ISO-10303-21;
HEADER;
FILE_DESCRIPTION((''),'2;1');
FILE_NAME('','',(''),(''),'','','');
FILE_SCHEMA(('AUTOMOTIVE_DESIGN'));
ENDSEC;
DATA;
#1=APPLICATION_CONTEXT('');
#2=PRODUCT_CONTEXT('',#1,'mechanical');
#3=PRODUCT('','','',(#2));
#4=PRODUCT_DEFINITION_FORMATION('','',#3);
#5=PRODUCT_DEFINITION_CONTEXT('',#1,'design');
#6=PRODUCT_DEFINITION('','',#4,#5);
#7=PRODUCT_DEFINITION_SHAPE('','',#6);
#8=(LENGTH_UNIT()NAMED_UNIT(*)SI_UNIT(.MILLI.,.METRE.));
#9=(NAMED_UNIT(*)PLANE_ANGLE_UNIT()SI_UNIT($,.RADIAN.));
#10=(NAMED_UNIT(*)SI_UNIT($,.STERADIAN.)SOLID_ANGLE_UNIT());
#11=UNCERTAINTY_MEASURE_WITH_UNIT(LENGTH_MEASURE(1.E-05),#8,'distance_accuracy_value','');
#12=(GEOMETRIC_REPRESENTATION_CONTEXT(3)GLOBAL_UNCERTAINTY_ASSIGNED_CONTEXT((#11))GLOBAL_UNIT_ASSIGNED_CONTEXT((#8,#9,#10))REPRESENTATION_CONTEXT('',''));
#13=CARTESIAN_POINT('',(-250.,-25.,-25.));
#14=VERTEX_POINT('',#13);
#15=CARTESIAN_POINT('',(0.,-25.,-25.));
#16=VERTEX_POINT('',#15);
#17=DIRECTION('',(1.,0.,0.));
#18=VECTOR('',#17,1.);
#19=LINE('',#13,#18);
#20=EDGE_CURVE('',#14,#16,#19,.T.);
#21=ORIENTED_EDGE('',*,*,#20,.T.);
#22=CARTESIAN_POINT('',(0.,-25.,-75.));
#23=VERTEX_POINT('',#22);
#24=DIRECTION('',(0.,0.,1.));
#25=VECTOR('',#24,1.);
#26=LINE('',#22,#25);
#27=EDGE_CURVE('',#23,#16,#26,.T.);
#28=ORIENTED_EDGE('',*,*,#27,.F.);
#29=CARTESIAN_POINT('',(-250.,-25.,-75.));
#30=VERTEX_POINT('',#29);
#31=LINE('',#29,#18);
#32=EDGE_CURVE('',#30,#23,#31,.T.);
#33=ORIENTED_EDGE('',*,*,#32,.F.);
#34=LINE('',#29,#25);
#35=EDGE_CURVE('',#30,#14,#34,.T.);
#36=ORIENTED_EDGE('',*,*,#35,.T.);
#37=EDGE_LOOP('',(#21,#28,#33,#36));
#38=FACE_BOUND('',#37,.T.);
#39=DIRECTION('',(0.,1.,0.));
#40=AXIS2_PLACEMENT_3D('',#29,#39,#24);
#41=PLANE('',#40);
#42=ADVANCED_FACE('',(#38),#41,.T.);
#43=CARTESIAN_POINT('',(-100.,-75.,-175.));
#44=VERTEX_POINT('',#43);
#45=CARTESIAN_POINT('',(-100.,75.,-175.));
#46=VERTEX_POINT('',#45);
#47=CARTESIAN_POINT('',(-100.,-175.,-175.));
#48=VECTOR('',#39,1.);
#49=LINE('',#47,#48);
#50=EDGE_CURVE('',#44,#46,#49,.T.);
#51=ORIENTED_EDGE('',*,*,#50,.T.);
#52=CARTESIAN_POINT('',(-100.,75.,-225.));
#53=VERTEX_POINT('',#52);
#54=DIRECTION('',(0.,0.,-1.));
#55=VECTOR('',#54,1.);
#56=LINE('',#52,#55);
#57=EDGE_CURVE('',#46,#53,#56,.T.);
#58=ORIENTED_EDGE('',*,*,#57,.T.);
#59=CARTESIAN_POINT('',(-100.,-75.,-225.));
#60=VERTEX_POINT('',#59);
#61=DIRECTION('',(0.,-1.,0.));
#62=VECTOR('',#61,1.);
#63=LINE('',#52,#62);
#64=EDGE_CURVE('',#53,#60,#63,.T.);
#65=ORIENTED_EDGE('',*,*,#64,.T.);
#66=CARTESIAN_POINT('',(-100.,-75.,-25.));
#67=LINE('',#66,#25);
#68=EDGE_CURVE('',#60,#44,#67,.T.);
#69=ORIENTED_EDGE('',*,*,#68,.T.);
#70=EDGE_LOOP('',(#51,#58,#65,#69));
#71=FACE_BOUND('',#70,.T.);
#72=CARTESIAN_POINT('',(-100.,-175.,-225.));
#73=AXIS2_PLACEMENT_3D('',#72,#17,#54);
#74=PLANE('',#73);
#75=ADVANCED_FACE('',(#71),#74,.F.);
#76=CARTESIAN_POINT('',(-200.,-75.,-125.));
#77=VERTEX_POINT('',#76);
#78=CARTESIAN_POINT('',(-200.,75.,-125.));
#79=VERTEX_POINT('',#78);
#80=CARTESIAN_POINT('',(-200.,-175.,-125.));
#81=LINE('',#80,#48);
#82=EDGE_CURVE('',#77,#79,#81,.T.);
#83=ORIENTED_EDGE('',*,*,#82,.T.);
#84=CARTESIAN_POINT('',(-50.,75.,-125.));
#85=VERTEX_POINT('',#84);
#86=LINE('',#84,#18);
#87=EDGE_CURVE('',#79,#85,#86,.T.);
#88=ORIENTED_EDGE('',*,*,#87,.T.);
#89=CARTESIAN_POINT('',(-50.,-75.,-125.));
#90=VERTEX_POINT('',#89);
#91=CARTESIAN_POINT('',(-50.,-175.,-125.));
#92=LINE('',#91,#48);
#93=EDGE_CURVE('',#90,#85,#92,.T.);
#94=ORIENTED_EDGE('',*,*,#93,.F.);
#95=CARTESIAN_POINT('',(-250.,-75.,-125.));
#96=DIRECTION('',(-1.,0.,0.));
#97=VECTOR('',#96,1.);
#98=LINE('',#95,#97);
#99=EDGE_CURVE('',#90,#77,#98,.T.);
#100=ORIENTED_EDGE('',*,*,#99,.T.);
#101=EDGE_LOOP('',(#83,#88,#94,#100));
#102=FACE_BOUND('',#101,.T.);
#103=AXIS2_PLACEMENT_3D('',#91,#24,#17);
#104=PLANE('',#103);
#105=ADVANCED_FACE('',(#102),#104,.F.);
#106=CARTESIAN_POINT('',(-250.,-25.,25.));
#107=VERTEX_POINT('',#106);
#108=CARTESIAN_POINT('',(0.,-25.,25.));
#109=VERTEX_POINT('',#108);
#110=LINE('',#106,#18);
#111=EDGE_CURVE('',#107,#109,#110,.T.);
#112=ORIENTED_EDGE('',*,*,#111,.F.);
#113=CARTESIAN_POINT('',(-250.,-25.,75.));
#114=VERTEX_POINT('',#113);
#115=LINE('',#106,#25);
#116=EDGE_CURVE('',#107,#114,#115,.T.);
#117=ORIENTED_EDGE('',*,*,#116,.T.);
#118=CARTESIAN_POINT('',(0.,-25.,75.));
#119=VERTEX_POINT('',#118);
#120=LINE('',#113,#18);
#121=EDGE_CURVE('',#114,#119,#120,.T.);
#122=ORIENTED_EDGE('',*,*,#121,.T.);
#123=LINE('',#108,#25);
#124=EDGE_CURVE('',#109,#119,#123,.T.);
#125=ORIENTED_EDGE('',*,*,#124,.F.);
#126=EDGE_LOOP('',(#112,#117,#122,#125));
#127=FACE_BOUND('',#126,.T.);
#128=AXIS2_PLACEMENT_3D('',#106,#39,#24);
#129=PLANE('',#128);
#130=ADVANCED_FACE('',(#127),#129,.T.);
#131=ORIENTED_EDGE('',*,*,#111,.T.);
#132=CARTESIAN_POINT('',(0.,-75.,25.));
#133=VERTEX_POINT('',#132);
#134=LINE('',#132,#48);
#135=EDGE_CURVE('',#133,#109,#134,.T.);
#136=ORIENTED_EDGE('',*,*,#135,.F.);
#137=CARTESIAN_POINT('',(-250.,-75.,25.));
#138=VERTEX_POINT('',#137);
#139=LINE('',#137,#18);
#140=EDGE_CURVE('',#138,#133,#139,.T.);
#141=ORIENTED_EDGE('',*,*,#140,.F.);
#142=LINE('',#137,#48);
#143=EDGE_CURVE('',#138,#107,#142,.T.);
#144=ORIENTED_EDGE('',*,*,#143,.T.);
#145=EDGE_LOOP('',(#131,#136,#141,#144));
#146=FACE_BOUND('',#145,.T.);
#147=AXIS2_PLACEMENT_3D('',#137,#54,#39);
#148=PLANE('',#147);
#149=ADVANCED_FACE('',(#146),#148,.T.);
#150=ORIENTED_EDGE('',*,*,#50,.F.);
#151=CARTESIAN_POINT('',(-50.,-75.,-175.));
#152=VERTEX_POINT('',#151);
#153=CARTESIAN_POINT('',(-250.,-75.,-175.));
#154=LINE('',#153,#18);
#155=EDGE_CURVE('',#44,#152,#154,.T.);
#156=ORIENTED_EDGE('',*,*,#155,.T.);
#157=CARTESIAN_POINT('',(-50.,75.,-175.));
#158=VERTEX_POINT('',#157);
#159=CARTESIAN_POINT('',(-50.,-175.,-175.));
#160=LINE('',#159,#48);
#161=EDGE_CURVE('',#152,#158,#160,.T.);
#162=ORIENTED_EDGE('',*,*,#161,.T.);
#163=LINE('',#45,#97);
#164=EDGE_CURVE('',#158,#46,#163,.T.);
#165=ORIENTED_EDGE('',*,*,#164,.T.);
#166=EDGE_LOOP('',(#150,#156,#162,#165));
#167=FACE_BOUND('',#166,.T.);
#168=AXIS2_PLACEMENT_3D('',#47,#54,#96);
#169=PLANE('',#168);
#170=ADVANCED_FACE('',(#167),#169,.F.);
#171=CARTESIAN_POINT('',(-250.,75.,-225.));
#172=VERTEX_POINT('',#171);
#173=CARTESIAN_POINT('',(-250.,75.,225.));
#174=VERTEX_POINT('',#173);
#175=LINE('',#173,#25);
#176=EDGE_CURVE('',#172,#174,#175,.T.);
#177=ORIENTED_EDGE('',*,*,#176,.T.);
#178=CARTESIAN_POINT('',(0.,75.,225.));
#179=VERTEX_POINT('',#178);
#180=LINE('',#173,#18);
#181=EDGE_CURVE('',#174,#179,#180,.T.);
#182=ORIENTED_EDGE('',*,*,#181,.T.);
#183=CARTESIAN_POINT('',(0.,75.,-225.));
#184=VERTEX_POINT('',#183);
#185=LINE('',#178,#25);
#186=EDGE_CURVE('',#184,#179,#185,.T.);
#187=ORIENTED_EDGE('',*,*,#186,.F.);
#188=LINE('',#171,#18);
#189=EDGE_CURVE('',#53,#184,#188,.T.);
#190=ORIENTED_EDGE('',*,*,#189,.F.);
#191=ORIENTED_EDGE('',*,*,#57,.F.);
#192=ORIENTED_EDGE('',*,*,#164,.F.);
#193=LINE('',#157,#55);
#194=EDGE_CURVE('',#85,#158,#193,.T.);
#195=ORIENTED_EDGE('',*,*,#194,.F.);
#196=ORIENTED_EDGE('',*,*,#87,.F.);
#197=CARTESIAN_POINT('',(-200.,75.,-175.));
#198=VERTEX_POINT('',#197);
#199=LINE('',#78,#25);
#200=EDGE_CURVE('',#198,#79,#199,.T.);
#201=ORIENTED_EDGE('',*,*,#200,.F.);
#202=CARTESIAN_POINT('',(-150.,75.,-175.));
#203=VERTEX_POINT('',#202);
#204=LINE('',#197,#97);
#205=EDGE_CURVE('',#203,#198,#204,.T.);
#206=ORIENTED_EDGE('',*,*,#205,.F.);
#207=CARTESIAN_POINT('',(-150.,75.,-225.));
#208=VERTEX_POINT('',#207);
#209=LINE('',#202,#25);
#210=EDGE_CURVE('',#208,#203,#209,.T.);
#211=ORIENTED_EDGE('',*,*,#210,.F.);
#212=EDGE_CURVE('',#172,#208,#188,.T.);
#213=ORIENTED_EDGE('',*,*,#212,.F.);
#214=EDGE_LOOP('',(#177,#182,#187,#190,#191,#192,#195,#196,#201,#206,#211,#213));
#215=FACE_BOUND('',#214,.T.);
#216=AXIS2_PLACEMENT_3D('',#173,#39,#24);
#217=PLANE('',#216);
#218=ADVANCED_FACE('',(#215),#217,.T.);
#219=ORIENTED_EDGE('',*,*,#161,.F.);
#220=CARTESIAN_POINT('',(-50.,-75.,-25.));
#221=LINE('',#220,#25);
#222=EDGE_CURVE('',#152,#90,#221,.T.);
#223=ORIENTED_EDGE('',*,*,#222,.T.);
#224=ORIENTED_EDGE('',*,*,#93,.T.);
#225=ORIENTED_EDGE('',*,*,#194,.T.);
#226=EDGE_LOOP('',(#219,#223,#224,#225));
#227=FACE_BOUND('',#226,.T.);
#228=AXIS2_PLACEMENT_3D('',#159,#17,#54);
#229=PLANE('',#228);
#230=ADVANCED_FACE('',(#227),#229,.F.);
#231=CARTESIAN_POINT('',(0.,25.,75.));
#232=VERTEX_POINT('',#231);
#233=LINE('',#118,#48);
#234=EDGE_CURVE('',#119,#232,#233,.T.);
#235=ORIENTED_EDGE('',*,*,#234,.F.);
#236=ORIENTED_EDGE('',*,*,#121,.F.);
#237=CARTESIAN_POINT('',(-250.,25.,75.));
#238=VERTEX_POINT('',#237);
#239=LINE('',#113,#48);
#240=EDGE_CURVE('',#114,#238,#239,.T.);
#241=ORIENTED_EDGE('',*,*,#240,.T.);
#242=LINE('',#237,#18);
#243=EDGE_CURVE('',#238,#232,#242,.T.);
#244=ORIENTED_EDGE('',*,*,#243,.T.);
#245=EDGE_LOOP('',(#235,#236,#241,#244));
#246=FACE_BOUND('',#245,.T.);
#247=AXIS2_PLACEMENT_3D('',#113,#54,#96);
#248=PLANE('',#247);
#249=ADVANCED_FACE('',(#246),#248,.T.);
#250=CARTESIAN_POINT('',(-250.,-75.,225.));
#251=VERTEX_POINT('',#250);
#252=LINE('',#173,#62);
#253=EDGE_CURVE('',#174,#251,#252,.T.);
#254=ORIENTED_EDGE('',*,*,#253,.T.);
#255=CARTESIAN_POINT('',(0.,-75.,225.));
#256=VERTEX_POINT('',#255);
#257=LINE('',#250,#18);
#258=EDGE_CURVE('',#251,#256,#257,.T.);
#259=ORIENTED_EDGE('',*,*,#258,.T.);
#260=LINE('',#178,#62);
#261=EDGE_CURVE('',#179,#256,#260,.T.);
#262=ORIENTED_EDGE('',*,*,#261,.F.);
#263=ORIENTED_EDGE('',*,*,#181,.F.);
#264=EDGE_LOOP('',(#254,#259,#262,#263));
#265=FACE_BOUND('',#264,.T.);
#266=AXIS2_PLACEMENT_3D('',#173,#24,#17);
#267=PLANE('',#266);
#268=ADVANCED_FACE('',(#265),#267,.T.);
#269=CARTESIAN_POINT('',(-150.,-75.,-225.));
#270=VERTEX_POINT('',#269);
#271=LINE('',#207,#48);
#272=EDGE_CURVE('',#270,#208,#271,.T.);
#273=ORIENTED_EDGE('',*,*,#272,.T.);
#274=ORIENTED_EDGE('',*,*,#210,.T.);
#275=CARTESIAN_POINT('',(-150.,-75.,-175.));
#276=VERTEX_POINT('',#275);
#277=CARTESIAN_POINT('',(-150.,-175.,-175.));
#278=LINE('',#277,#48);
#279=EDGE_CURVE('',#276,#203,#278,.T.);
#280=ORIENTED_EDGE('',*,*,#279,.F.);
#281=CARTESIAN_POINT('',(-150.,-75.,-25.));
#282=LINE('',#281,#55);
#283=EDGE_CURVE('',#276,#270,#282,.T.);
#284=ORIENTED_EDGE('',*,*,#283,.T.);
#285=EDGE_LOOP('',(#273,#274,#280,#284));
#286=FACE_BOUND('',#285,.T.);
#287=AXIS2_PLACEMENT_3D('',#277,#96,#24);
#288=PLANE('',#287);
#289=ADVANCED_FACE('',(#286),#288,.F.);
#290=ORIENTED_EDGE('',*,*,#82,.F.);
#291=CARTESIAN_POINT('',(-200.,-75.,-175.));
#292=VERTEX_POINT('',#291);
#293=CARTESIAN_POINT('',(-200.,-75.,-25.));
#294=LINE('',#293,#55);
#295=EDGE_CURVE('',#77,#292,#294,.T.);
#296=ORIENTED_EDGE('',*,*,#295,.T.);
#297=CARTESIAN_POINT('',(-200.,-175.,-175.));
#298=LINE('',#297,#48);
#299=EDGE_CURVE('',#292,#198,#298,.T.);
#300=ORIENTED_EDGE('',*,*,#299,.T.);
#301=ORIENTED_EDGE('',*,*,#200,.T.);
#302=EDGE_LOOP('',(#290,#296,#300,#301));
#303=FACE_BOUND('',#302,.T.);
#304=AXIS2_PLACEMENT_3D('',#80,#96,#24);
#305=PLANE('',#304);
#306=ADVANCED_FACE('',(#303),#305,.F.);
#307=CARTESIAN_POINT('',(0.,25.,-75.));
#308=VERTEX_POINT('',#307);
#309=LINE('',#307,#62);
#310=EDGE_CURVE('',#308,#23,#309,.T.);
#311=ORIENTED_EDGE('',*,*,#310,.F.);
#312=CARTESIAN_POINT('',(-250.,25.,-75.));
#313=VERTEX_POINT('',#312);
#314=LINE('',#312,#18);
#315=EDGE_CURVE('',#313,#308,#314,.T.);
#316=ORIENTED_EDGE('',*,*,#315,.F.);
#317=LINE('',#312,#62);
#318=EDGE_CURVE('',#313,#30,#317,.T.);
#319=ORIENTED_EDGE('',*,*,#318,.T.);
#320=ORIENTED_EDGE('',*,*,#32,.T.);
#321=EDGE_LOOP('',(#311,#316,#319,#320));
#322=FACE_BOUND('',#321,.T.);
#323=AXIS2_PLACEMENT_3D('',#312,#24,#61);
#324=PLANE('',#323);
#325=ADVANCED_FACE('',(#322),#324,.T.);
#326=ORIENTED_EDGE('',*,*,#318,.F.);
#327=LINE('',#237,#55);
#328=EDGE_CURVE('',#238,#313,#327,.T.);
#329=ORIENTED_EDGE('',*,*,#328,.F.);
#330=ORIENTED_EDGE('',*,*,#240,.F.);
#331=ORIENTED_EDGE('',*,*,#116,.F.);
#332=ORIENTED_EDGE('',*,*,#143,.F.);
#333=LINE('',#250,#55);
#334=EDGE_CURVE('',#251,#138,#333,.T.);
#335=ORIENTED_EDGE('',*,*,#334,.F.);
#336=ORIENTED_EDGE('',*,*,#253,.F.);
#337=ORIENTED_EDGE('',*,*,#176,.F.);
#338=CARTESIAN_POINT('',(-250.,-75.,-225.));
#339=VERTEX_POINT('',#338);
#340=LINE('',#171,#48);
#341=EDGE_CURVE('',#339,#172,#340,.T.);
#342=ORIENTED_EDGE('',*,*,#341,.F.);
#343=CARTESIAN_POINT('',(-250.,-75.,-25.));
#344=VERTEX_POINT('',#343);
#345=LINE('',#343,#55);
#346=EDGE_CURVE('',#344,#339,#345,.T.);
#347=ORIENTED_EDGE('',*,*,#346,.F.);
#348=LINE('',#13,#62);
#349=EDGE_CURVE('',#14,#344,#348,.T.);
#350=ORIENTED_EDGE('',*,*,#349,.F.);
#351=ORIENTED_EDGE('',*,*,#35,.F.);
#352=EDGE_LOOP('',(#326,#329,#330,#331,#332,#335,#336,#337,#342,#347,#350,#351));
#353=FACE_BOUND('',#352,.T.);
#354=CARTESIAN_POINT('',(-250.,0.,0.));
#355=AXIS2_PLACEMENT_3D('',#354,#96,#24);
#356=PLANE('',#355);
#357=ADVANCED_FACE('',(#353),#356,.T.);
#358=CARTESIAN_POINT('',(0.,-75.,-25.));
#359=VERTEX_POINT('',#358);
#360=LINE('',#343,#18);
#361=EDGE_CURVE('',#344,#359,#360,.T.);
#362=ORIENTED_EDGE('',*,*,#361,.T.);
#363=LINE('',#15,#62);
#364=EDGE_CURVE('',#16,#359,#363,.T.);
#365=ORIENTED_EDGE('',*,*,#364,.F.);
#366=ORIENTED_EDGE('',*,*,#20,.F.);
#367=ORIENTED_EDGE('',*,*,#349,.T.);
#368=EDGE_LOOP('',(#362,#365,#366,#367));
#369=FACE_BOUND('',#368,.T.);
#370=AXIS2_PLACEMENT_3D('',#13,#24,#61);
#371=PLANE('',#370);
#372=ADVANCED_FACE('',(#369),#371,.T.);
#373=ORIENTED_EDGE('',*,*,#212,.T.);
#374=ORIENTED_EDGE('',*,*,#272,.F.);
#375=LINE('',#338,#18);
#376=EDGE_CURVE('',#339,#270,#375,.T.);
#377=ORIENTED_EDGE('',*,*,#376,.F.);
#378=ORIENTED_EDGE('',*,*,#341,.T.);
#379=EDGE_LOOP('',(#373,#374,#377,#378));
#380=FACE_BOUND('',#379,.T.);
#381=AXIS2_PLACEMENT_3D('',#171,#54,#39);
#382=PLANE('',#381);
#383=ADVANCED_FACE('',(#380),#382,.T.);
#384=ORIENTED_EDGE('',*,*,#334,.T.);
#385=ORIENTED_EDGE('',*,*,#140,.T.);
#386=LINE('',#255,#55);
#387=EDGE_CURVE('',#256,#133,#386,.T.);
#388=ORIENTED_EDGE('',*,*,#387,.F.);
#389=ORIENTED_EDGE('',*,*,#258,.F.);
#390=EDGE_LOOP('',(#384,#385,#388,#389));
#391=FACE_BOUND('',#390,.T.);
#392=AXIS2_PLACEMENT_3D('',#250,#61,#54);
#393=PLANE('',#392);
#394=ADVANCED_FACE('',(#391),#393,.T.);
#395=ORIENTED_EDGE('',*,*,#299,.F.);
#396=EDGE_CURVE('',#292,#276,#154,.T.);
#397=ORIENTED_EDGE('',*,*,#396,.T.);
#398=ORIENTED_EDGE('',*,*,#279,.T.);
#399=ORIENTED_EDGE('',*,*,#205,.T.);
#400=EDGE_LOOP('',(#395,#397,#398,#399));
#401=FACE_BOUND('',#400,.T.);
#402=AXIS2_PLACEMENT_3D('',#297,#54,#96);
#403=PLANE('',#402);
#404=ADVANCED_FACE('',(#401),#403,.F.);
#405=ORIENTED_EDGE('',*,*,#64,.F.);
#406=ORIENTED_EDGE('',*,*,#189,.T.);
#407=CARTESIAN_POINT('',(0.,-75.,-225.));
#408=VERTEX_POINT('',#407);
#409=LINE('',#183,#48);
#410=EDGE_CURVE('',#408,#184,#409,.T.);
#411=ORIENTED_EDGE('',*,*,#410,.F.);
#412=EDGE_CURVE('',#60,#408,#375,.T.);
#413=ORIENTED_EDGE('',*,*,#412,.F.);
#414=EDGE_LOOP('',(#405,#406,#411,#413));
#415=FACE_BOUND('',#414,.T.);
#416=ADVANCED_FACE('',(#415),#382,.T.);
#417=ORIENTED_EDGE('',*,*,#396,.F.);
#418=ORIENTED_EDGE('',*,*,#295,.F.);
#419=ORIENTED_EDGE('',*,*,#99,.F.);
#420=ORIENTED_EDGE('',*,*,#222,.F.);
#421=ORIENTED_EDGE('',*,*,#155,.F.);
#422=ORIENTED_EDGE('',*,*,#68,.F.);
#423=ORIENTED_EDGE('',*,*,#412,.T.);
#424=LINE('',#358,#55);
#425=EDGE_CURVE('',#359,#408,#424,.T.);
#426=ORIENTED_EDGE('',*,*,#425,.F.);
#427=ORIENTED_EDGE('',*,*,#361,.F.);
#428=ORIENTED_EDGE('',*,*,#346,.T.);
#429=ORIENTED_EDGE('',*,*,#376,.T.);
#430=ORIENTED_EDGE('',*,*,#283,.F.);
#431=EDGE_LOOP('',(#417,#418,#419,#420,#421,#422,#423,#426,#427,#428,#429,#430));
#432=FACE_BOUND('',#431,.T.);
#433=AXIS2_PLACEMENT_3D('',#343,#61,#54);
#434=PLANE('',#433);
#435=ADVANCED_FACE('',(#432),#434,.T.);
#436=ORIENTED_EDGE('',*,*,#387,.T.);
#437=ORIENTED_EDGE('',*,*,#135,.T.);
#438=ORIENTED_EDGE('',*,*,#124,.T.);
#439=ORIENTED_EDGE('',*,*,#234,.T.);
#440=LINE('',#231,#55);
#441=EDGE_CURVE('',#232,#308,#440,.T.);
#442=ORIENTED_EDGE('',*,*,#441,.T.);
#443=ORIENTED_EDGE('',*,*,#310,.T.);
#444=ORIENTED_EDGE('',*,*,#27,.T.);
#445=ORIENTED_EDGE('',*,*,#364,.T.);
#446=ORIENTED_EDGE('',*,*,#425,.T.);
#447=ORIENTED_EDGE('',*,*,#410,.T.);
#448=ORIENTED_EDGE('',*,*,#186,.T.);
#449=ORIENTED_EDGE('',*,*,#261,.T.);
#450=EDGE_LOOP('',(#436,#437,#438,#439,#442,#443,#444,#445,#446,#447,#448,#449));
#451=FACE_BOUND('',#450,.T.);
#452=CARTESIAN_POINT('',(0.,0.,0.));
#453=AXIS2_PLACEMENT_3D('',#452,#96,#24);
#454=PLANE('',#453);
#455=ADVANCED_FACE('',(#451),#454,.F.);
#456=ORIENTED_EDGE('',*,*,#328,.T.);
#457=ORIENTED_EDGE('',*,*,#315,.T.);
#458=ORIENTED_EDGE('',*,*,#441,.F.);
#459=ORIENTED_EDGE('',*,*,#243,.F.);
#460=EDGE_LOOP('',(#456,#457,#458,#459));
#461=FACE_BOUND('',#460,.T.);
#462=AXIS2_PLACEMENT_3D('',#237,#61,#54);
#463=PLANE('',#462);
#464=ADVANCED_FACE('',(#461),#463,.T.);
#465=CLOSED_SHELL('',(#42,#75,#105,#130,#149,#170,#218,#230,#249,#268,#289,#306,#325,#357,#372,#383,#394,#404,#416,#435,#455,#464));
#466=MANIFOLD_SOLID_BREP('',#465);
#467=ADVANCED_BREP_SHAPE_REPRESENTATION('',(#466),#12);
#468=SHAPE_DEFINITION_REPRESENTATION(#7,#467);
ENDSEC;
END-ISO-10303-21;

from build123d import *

# Parameters (mm, degrees)
BOSS_EXTRUDE1_DEPTH = 250
CUT_EXTRUDE1_DEPTH  = 250


with BuildPart() as part:
    # Sketch2 → Boss-Extrude1 (new body)
    with BuildSketch(Plane(origin=(0, 0, 0), x_dir=(0, 0, -1), z_dir=(1, 0, 0))):
        Polygon((-25, -75), (-25, -25), (-75, -25), (-75, 25), (75, 25), (75, -25), (25, -25), (25, -75), (225, -75), (225, 75), (-225, 75), (-225, -75), align=None)
    extrude(amount=-BOSS_EXTRUDE1_DEPTH)

    # Sketch3 → Cut-Extrude1 (cut)
    with BuildSketch(Plane(origin=(0, 75, 0), x_dir=(1, 0, 0), z_dir=(0, 1, 0))):
        Polygon((-100, 225), (-100, 175), (-50, 175), (-50, 125), (-200, 125), (-200, 175), (-150, 175), (-150, 225), align=None)
    extrude(amount=-CUT_EXTRUDE1_DEPTH, mode=Mode.SUBTRACT)


solid = part.part
